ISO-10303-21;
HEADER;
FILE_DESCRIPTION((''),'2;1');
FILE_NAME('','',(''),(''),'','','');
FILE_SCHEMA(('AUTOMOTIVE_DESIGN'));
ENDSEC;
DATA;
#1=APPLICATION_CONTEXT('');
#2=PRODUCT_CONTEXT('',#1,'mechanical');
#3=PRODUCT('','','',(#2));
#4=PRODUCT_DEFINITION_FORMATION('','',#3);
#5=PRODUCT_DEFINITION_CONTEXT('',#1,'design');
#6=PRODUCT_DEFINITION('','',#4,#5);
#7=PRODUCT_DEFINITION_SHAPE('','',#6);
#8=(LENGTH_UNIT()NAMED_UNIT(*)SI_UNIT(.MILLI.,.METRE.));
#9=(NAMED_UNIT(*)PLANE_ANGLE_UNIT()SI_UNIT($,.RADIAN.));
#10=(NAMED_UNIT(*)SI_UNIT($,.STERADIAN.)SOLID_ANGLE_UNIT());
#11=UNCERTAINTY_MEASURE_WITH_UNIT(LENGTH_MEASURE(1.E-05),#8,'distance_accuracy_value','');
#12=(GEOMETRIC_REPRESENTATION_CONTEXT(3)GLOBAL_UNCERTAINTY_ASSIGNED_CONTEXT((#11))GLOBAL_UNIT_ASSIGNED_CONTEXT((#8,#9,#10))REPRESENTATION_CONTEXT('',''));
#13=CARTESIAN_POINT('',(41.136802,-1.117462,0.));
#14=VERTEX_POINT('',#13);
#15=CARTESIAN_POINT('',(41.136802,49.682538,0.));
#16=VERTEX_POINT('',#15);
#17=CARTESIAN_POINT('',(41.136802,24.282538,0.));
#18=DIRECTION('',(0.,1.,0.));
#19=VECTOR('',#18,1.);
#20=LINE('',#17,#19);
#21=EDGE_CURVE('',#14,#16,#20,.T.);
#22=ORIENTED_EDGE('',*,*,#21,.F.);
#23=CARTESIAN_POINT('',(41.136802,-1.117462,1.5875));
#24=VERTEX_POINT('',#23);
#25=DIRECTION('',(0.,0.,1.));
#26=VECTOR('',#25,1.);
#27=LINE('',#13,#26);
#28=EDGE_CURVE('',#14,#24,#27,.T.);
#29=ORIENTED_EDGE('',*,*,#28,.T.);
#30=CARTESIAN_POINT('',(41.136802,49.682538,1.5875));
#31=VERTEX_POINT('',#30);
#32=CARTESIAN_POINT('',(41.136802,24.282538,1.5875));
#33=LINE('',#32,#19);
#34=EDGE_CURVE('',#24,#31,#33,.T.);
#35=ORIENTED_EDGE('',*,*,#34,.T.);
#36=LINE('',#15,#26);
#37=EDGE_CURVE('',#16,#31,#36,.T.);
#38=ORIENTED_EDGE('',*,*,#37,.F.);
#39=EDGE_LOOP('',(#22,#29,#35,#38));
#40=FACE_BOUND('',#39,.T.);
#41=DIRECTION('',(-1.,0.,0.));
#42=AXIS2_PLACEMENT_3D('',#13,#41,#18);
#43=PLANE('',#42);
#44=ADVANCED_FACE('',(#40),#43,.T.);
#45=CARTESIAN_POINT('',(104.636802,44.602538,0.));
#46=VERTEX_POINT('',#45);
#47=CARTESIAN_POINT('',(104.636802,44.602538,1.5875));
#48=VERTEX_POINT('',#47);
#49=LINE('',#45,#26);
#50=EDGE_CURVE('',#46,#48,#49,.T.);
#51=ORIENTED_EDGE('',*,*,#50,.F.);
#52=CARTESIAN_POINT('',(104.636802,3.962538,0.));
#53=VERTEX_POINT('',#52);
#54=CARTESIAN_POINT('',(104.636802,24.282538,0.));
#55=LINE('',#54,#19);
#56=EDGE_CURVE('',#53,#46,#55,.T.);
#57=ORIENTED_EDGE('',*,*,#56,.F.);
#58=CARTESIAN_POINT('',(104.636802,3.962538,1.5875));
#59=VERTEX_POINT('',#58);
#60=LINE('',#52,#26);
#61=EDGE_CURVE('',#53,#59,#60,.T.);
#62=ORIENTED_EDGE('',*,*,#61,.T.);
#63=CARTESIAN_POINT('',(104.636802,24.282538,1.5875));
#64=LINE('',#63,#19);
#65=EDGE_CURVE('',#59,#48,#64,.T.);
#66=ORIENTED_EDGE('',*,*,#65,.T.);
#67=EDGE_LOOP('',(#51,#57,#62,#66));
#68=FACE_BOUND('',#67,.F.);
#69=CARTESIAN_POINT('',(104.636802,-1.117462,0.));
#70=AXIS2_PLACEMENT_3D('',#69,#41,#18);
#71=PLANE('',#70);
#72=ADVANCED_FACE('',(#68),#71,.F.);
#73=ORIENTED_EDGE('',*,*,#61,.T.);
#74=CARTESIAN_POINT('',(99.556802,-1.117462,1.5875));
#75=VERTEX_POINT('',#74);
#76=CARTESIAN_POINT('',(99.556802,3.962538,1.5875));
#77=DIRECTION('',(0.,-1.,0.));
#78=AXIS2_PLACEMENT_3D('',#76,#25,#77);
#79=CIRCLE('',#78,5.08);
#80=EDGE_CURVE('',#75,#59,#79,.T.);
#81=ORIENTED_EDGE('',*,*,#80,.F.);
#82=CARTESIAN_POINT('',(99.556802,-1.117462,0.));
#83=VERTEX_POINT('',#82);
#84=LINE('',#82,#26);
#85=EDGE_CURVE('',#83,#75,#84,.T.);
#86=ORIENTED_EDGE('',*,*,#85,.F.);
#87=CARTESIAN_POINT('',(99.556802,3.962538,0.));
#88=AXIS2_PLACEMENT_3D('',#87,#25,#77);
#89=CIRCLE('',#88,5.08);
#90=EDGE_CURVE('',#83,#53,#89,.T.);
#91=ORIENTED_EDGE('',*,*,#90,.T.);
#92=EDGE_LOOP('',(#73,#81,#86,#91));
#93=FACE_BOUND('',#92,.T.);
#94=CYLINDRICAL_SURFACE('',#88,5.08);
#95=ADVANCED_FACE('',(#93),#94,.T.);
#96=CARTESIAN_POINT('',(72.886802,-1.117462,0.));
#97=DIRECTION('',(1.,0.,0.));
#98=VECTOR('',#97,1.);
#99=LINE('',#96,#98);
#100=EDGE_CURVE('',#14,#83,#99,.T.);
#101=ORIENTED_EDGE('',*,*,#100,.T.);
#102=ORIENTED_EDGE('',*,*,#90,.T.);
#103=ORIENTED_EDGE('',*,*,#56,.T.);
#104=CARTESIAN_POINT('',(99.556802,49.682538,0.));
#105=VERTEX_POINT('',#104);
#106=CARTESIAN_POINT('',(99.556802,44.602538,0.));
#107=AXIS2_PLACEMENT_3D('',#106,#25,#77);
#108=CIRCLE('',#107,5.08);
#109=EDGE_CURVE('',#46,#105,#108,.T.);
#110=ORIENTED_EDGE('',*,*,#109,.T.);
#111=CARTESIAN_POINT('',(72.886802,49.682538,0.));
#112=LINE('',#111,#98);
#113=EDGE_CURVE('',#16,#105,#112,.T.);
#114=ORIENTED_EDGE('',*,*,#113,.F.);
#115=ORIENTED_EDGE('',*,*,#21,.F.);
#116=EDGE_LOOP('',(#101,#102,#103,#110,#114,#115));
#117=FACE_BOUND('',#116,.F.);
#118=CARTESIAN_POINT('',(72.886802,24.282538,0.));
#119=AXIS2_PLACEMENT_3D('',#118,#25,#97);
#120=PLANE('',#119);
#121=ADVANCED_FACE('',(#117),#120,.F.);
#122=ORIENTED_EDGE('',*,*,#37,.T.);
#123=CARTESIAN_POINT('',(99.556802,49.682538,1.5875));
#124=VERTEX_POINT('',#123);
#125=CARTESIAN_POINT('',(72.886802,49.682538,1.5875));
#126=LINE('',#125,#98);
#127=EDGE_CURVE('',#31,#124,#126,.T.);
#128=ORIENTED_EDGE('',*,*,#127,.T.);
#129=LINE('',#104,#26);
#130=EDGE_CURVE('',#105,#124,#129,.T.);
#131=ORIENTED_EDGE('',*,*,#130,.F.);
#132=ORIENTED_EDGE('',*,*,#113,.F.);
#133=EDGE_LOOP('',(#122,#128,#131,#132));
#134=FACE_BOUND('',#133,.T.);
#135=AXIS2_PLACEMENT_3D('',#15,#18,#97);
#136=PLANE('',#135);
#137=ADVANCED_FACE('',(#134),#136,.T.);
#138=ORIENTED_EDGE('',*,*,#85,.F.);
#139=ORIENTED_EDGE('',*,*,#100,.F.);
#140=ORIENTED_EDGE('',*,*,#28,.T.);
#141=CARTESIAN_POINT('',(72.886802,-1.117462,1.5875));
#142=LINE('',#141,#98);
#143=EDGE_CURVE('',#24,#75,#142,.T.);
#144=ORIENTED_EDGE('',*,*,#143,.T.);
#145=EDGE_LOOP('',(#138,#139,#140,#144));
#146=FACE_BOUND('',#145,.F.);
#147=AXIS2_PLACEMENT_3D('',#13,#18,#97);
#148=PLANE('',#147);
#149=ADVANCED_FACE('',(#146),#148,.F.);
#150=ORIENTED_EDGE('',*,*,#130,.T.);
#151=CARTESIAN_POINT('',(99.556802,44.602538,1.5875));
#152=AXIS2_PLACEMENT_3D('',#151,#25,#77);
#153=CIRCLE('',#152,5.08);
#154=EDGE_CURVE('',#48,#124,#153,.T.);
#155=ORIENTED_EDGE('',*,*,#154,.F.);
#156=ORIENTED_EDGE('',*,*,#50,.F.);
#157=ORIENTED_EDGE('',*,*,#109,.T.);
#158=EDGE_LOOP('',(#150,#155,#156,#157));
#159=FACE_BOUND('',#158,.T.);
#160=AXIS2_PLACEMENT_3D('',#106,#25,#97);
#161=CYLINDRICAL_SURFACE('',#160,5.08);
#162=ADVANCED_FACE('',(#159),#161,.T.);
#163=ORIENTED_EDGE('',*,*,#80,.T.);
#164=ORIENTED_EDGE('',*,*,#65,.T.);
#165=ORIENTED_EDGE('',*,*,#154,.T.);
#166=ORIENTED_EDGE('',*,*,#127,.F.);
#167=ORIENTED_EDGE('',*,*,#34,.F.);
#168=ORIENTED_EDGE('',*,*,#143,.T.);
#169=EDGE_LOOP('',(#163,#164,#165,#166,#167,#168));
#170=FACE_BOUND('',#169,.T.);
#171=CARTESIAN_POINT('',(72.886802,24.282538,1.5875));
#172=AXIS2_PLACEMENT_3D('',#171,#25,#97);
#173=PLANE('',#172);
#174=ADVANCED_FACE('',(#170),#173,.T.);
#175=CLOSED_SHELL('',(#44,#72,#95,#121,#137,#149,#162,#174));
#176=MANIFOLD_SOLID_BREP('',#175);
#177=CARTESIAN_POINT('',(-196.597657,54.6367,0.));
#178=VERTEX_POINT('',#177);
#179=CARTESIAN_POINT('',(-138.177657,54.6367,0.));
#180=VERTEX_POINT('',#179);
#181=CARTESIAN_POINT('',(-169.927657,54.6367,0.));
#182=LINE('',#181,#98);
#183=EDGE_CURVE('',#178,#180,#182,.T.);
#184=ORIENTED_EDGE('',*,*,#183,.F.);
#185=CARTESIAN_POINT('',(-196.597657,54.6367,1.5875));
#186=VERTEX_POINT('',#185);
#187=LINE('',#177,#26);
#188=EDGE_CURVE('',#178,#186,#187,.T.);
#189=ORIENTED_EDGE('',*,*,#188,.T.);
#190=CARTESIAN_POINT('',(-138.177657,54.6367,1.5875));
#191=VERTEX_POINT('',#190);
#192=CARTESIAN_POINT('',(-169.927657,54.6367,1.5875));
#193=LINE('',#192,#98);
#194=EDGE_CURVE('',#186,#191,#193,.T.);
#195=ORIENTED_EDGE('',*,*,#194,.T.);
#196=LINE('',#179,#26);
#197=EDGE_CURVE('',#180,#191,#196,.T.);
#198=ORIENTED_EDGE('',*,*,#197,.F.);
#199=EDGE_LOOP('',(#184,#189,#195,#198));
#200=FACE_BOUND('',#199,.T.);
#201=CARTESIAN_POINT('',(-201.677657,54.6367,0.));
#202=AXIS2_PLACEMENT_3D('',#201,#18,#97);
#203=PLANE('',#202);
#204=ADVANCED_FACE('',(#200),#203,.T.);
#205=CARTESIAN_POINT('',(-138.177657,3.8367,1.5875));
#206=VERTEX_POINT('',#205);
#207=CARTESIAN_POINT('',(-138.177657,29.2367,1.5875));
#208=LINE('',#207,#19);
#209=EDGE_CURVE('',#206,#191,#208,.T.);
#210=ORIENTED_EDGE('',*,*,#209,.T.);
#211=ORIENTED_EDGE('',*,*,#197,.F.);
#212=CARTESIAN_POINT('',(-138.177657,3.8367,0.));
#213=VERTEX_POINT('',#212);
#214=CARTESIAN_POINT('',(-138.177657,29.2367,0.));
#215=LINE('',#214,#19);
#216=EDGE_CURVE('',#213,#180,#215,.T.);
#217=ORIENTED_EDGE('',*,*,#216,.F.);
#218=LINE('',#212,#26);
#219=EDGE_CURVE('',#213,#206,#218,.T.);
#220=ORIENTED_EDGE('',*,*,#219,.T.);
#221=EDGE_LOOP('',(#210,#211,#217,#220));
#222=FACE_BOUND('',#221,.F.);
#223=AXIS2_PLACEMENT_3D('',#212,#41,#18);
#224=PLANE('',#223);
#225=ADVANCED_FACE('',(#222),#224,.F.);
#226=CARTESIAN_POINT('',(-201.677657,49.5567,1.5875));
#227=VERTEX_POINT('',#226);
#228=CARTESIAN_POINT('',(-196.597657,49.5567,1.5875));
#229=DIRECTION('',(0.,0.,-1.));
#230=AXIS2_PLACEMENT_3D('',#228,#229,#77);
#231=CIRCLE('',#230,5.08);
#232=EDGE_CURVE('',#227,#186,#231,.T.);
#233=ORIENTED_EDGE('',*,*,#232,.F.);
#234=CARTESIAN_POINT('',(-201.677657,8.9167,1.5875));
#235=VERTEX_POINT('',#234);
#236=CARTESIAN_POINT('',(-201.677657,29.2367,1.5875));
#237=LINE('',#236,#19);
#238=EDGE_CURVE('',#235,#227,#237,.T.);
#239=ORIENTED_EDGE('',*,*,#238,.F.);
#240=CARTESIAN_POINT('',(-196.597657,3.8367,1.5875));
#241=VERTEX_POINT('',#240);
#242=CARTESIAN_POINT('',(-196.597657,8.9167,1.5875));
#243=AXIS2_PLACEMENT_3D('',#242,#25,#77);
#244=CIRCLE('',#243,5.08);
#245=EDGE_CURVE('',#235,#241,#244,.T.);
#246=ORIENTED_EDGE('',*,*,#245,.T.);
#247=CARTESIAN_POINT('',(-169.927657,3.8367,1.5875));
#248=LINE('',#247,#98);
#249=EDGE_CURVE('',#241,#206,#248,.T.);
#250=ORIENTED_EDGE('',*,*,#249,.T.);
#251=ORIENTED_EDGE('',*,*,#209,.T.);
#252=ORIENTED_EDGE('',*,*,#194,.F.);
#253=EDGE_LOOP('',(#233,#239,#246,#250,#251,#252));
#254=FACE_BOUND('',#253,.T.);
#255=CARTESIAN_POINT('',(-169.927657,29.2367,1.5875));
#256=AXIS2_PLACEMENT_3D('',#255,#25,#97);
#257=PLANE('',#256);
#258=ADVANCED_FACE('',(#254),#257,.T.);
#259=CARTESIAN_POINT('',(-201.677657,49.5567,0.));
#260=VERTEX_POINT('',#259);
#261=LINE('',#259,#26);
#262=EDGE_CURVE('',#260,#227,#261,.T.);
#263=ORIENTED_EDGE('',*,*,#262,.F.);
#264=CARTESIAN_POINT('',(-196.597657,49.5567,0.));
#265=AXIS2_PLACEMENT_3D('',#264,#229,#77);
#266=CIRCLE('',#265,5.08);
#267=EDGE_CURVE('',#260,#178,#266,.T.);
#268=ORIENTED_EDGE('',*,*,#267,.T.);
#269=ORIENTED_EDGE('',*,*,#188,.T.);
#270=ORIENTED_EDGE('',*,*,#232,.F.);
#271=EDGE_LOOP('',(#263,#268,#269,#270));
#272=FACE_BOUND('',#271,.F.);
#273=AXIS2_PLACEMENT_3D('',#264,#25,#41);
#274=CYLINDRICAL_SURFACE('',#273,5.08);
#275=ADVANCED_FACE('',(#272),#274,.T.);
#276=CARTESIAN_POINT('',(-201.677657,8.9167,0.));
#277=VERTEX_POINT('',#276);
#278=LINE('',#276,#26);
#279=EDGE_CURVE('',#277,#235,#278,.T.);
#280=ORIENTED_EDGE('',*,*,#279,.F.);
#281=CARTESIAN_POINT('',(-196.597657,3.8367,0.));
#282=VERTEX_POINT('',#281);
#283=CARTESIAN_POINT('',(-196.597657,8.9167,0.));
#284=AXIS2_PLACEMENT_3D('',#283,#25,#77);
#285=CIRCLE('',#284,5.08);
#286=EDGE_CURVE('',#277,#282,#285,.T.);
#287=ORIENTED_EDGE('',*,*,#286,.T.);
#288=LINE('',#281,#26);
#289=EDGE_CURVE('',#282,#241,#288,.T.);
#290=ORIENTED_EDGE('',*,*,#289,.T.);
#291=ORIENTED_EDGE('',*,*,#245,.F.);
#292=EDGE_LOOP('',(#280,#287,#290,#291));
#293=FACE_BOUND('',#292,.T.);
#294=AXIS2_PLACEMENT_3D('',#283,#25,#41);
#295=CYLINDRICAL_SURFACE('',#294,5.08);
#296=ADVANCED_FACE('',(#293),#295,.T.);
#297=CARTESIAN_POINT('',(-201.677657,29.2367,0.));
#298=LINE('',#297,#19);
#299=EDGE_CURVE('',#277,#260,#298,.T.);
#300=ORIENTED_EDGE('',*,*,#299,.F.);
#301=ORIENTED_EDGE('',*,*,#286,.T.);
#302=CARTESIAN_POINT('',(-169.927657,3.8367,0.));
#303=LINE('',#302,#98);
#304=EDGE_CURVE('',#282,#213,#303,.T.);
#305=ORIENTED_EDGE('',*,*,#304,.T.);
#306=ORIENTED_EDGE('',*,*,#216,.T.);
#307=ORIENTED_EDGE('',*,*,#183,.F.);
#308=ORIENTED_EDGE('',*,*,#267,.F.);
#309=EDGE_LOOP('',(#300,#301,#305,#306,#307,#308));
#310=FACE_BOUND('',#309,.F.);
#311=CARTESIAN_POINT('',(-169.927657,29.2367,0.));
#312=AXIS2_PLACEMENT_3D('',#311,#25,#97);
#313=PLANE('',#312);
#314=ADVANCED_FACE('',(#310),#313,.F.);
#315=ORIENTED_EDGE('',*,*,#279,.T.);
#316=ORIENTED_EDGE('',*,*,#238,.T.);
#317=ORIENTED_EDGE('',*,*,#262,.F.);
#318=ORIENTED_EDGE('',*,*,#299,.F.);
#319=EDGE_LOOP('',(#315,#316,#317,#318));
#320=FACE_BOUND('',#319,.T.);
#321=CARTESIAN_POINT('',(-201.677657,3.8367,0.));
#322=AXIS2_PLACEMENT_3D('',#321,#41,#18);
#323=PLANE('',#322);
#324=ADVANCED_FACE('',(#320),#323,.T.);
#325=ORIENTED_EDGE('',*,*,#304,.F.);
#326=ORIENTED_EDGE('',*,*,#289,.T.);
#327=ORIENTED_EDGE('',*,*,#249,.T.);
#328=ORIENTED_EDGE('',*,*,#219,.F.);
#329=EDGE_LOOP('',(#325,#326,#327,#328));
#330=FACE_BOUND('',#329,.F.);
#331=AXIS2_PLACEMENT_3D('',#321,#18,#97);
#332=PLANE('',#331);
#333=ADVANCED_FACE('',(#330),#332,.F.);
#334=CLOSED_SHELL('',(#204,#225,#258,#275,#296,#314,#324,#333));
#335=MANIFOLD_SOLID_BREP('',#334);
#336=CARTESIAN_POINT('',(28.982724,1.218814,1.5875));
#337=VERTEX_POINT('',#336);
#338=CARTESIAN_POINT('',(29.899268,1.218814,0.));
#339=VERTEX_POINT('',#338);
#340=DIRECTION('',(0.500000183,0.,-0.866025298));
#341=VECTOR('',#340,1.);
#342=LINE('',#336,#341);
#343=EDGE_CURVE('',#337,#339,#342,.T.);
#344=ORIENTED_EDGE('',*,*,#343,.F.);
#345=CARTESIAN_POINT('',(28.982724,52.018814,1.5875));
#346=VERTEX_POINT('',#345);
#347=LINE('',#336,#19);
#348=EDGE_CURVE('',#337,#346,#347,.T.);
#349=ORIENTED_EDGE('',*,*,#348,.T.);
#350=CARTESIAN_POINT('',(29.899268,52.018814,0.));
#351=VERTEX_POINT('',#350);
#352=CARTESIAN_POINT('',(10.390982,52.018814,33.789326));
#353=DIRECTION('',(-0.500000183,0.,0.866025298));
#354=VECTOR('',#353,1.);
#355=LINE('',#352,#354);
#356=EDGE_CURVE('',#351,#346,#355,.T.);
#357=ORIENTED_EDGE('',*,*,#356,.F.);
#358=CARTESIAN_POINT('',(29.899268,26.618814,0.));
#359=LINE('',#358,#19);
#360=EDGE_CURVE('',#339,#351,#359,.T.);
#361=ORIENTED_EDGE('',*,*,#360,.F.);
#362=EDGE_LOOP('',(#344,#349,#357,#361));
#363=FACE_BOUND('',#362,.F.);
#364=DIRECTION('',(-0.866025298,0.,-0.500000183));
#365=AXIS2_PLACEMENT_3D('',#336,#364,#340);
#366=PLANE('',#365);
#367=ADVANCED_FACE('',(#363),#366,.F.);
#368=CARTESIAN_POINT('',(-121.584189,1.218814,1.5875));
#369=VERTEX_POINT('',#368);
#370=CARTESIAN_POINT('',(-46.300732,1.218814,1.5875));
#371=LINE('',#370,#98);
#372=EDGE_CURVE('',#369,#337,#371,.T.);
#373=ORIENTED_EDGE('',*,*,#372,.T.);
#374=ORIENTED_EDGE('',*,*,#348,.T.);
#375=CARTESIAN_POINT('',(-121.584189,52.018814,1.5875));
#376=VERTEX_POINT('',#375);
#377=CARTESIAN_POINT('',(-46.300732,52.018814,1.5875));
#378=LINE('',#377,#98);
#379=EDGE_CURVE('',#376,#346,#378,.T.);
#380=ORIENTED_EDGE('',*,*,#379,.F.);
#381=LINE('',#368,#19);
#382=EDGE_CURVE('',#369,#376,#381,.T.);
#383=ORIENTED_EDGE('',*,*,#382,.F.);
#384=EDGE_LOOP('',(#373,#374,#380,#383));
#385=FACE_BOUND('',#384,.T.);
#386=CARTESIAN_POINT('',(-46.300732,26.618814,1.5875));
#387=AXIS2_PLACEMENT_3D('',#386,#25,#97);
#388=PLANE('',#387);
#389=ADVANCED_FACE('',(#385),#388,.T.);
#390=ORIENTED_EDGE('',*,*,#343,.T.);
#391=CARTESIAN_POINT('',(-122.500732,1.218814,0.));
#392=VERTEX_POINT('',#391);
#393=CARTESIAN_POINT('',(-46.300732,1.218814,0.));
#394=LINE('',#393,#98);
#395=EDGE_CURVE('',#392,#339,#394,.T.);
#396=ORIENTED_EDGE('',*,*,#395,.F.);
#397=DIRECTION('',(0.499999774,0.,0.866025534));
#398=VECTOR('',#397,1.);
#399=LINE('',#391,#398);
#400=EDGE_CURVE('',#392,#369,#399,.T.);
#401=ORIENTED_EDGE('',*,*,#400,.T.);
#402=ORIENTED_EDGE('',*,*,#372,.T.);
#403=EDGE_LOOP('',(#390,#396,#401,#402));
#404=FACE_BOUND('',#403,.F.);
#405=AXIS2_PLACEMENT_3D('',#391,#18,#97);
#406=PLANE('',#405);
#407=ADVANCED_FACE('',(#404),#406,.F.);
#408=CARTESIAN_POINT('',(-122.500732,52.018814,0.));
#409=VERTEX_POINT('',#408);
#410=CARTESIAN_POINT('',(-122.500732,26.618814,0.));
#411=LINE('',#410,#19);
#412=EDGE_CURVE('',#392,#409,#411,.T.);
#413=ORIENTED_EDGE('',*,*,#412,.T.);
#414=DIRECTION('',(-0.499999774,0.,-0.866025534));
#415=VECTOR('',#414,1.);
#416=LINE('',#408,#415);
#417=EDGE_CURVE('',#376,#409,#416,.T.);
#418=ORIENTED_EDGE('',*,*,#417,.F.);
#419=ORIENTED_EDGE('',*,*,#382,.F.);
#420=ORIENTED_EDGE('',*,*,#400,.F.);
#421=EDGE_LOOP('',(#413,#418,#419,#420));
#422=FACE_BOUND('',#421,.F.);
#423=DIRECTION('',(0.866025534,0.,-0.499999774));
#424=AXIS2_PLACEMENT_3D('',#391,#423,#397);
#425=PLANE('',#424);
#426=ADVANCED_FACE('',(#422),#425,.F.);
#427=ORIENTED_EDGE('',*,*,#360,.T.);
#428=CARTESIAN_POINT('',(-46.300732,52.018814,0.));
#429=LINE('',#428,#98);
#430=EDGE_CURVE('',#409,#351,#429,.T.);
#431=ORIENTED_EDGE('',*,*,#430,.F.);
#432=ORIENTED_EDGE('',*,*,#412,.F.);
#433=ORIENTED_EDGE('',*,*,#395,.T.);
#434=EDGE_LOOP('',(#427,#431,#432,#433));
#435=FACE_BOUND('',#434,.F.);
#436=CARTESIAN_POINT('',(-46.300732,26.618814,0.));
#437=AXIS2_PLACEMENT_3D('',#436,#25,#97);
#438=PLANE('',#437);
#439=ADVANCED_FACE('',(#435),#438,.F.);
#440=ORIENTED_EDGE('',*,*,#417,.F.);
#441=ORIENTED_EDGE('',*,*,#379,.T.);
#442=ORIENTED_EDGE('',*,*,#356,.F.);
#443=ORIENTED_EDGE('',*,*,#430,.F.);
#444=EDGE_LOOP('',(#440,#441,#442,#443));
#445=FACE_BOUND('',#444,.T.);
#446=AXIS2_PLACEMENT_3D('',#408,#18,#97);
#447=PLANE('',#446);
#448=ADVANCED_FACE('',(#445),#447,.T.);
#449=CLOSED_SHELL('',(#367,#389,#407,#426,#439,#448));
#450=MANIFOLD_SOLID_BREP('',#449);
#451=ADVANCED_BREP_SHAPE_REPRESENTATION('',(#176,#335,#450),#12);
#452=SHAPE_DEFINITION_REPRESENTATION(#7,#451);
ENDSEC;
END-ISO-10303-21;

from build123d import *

# Parameters (mm, degrees)
F0_W      = 152.4
F0_H      = 50.8
F1_DEPTH  = 1.5875
F2_W      = 63.5
F2_H      = 50.8
F3_DEPTH  = 1.5875
F5_DEPTH  = 50.801
F6_R      = 5.08
F8_DEPTH  = 50.801
F9_W      = 63.5
F9_H      = 50.8
F10_DEPTH = 1.5875
F11_R     = 5.08


with BuildPart() as f1:
    # F0 (on Top) → F1 (new body)
    with BuildSketch(Plane.XY):
        with Locations((-46.300732, 26.618814)):
            Rectangle(F0_W, F0_H)
    extrude(amount=F1_DEPTH)

    # F4 (on face) → F5 (cut, through all)
    with BuildSketch(Plane.XZ.offset(-1.218814)):
        Polygon((28.982724, 1.5875), (29.899268, 0), (29.899268, 1.5875), align=None)
    extrude(amount=-F5_DEPTH, mode=Mode.SUBTRACT)

    # F7 (on face) → F8 (cut, through all)
    with BuildSketch(Plane.XZ.offset(-1.218814)):
        Polygon((-122.500732, 1.5875), (-122.500732, 0), (-121.584189, 1.5875), align=None)
    extrude(amount=-F8_DEPTH, mode=Mode.SUBTRACT)


with BuildPart() as f3:
    # F2 (on Top) → F3 (new body)
    with BuildSketch(Plane.XY):
        with Locations((72.886802, 24.282538)):
            Rectangle(F2_W, F2_H)
    extrude(amount=F3_DEPTH)

    # F6
    f6_edges = [f3.edges().sort_by_distance(p)[0] for p in [
        (104.636802, -1.117462, 0.79375),
        (104.636802, 49.682538, 0.79375),
    ]]
    fillet(f6_edges, radius=F6_R)


with BuildPart() as f10:
    # F9 (on Top) → F10 (new body)
    with BuildSketch(Plane.XY):
        with Locations((-169.927657, 29.2367)):
            Rectangle(F9_W, F9_H)
    extrude(amount=F10_DEPTH)

    # F11
    f11_edges = [f10.edges().sort_by_distance(p)[0] for p in [
        (-201.677657, 3.8367, 0.79375),
        (-201.677657, 54.6367, 0.79375),
    ]]
    fillet(f11_edges, radius=F11_R)


solid = Compound([f1.part, f3.part, f10.part])
